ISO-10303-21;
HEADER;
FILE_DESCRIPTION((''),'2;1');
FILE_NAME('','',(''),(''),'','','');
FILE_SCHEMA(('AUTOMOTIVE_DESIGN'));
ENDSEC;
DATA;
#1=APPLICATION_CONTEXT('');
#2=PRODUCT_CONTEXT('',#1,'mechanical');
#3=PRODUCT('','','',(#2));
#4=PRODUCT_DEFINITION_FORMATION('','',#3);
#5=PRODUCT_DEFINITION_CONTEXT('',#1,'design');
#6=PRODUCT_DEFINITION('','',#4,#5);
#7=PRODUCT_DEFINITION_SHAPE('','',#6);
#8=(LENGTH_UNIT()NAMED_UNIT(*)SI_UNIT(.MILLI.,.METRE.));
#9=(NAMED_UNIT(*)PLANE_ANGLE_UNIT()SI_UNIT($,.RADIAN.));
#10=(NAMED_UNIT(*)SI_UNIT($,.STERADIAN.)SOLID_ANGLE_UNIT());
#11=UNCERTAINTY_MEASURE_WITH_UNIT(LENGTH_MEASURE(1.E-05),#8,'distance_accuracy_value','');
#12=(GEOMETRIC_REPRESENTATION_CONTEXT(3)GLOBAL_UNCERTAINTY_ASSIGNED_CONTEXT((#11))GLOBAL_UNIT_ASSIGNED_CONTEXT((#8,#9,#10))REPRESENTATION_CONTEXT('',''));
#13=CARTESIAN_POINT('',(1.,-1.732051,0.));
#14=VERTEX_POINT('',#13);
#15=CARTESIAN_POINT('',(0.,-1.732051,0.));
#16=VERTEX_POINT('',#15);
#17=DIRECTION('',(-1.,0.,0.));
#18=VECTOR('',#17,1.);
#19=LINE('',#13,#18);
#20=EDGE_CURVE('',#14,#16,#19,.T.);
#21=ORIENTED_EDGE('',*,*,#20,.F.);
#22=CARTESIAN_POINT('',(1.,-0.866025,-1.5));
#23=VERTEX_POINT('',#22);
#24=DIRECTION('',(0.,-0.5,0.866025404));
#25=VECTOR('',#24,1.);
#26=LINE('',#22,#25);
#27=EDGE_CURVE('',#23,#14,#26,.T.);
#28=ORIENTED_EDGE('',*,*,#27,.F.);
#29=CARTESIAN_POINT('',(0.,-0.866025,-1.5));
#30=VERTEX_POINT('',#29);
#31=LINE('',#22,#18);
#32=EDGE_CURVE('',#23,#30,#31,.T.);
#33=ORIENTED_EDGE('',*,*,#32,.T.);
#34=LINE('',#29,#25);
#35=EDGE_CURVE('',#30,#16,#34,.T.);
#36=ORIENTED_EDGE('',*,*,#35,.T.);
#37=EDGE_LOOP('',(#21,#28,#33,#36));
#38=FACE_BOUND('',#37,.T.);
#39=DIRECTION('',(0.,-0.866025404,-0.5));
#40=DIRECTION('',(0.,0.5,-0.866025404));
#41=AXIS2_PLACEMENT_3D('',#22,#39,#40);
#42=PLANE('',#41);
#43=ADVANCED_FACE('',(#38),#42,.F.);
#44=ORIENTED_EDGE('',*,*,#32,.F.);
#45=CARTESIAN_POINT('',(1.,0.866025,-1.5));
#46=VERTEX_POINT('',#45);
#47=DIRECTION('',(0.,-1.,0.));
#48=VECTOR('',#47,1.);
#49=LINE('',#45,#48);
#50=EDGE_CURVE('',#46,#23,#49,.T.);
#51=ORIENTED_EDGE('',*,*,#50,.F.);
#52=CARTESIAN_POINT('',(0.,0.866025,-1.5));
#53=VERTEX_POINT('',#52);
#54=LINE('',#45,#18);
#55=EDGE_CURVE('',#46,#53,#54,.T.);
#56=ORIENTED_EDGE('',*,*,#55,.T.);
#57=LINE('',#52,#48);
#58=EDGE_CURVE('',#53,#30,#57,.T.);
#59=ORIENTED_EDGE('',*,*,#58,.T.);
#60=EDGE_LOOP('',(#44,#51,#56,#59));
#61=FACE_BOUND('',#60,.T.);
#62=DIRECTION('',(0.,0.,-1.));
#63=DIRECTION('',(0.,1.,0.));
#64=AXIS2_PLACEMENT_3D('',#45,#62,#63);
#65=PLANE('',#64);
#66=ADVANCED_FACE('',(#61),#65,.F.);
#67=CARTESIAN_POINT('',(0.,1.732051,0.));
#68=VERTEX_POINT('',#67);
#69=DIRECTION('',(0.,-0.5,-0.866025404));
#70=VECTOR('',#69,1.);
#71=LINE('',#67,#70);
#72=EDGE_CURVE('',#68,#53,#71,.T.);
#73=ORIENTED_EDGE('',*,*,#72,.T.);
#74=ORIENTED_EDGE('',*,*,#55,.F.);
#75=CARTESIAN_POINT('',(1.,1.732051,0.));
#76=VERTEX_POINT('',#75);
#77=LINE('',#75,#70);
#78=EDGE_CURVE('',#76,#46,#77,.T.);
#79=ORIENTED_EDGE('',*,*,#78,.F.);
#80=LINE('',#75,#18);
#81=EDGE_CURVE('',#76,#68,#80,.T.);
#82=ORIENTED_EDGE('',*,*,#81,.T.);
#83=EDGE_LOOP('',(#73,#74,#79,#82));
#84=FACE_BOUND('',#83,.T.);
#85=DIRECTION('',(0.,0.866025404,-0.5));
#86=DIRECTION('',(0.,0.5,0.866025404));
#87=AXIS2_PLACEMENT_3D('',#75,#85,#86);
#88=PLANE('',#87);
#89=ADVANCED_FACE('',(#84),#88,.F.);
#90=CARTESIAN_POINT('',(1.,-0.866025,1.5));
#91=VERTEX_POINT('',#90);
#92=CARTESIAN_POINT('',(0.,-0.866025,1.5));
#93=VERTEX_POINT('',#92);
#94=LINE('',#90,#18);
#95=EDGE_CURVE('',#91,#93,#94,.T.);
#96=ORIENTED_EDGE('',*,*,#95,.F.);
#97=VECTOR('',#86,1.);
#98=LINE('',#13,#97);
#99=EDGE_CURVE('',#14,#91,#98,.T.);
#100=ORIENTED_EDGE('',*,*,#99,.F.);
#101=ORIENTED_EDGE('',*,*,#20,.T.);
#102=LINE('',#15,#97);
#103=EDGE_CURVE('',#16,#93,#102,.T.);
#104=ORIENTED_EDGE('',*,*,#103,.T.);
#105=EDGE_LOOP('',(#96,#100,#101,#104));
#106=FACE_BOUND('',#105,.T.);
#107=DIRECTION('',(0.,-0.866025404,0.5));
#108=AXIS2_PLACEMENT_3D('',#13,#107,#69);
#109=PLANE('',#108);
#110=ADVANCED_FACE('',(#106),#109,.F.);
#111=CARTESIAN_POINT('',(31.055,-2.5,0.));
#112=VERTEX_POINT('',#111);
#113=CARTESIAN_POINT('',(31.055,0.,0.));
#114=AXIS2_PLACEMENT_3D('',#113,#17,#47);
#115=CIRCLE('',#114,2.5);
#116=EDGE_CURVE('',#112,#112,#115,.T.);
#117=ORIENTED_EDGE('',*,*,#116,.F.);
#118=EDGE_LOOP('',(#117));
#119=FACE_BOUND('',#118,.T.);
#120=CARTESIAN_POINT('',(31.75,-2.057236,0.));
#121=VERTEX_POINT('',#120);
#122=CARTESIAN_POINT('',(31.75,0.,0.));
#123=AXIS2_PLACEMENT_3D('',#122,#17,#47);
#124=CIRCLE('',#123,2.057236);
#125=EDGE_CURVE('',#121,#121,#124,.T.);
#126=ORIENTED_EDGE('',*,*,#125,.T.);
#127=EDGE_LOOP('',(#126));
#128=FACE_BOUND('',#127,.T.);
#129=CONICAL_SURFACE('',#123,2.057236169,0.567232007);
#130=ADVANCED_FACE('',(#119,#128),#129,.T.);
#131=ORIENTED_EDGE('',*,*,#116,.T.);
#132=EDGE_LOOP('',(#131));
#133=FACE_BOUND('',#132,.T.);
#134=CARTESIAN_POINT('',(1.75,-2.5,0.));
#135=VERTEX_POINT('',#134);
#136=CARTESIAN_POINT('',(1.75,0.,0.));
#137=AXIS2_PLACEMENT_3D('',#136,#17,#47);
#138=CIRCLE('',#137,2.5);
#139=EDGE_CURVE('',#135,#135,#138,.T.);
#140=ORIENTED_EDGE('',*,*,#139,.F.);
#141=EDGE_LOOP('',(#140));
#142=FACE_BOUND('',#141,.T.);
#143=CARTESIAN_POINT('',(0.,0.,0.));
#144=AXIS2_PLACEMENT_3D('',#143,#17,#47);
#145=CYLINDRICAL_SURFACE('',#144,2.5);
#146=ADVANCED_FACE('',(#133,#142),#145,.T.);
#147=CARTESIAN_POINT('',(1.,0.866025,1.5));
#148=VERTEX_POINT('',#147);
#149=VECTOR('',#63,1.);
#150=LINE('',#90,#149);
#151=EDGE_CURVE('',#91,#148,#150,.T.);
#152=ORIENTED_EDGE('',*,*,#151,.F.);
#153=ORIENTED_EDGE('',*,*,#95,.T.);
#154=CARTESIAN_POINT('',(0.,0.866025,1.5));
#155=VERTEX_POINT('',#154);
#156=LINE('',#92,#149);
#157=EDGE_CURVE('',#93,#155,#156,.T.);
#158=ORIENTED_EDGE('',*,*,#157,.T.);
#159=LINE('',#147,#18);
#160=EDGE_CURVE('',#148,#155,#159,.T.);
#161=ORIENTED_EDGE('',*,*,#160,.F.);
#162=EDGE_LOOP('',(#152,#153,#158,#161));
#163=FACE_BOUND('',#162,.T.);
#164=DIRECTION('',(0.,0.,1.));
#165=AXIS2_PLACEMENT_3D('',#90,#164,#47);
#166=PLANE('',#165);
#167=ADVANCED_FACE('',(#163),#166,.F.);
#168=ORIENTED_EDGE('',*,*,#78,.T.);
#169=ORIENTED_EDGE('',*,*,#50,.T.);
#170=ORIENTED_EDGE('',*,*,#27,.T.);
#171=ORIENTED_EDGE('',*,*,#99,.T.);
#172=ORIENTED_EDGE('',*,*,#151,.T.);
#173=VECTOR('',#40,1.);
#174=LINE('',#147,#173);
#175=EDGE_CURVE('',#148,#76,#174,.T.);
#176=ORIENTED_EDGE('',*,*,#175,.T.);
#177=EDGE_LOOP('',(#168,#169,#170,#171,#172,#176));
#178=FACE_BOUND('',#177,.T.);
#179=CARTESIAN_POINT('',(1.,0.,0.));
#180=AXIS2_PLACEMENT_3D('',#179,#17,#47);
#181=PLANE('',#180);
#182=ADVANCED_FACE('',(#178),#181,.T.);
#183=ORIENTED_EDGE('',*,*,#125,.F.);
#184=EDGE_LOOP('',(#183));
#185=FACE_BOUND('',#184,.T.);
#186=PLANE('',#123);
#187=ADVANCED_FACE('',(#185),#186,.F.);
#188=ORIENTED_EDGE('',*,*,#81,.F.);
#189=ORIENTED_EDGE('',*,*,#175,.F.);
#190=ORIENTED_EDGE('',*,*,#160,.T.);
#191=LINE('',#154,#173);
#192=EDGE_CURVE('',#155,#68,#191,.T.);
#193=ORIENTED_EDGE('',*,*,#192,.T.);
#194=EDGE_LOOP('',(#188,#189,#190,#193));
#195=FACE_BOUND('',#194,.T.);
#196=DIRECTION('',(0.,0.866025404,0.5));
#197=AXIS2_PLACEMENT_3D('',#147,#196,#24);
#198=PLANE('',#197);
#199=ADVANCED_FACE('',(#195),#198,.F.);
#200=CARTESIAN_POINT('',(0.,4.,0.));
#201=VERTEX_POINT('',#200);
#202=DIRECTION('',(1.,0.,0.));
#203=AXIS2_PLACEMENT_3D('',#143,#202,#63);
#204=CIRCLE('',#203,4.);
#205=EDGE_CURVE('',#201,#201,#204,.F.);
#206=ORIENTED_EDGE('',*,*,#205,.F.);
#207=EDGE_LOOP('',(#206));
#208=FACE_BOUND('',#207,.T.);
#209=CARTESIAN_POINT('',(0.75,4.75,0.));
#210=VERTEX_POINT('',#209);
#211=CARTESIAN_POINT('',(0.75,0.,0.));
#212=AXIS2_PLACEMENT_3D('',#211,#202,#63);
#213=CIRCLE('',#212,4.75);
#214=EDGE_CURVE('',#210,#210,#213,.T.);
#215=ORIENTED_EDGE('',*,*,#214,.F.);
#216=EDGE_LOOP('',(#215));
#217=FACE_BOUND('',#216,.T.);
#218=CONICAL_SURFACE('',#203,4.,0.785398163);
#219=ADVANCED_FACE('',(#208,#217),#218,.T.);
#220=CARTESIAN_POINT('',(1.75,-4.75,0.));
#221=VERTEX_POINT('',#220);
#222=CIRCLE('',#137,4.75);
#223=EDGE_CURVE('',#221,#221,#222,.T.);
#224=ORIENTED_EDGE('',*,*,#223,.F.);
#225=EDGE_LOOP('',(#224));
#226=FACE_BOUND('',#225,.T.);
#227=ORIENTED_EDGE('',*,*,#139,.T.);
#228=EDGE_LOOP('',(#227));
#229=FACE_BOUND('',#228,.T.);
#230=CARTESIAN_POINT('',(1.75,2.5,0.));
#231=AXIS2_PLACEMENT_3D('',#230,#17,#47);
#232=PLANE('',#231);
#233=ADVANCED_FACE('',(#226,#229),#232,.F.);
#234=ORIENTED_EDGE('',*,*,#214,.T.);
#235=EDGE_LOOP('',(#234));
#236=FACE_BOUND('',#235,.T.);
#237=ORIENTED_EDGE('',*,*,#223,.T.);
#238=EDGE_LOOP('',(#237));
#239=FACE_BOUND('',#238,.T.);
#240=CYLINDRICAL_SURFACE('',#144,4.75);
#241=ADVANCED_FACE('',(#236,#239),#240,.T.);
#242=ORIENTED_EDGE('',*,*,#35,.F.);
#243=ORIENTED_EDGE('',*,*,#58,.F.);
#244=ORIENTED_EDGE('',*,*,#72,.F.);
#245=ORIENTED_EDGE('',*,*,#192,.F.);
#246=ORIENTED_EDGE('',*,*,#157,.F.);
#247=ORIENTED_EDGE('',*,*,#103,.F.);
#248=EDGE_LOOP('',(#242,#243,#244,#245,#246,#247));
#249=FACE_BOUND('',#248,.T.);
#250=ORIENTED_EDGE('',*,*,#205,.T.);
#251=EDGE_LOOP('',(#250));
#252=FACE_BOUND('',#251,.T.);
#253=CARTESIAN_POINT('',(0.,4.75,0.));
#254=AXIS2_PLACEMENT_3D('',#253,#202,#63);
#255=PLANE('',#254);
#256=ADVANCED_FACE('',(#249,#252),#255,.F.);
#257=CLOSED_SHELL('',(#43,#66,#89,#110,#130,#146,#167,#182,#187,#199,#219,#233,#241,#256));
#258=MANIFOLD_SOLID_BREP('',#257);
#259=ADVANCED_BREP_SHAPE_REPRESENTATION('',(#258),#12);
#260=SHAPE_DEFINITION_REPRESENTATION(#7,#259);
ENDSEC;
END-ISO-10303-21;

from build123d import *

# Parameters (mm, degrees)
CUT_EXTRUDE1_DEPTH = 1
CHAMFER1_SIZE      = 0.75


with BuildPart() as part:
    # Sketch1 → Revolve1 (revolve)
    with BuildSketch(Plane.XY):
        Polygon((31.75, 0), (31.75, 2.057236169), (31.055, 2.5), (1.75, 2.5), (1.75, 4.75), (0, 4.75), (0, 0), align=None)
    revolve(axis=Axis((0, 0, 0), (1, 0, 0)))

    # Sketch5 → Cut-Extrude1 (cut)
    with BuildSketch(Plane.ZY):
        Polygon((1.5, -0.866025404), (1.5, 0.866025404), (0, 1.732050808), (-1.5, 0.866025404), (-1.5, -0.866025404), (0, -1.732050808), align=None)
    extrude(amount=-CUT_EXTRUDE1_DEPTH, mode=Mode.SUBTRACT)

    # Chamfer1
    chamfer1_edges = [part.edges().sort_by_distance(p)[0] for p in [
        (0, -4.75, 0),
    ]]
    chamfer(chamfer1_edges, length=CHAMFER1_SIZE)


solid = part.part
